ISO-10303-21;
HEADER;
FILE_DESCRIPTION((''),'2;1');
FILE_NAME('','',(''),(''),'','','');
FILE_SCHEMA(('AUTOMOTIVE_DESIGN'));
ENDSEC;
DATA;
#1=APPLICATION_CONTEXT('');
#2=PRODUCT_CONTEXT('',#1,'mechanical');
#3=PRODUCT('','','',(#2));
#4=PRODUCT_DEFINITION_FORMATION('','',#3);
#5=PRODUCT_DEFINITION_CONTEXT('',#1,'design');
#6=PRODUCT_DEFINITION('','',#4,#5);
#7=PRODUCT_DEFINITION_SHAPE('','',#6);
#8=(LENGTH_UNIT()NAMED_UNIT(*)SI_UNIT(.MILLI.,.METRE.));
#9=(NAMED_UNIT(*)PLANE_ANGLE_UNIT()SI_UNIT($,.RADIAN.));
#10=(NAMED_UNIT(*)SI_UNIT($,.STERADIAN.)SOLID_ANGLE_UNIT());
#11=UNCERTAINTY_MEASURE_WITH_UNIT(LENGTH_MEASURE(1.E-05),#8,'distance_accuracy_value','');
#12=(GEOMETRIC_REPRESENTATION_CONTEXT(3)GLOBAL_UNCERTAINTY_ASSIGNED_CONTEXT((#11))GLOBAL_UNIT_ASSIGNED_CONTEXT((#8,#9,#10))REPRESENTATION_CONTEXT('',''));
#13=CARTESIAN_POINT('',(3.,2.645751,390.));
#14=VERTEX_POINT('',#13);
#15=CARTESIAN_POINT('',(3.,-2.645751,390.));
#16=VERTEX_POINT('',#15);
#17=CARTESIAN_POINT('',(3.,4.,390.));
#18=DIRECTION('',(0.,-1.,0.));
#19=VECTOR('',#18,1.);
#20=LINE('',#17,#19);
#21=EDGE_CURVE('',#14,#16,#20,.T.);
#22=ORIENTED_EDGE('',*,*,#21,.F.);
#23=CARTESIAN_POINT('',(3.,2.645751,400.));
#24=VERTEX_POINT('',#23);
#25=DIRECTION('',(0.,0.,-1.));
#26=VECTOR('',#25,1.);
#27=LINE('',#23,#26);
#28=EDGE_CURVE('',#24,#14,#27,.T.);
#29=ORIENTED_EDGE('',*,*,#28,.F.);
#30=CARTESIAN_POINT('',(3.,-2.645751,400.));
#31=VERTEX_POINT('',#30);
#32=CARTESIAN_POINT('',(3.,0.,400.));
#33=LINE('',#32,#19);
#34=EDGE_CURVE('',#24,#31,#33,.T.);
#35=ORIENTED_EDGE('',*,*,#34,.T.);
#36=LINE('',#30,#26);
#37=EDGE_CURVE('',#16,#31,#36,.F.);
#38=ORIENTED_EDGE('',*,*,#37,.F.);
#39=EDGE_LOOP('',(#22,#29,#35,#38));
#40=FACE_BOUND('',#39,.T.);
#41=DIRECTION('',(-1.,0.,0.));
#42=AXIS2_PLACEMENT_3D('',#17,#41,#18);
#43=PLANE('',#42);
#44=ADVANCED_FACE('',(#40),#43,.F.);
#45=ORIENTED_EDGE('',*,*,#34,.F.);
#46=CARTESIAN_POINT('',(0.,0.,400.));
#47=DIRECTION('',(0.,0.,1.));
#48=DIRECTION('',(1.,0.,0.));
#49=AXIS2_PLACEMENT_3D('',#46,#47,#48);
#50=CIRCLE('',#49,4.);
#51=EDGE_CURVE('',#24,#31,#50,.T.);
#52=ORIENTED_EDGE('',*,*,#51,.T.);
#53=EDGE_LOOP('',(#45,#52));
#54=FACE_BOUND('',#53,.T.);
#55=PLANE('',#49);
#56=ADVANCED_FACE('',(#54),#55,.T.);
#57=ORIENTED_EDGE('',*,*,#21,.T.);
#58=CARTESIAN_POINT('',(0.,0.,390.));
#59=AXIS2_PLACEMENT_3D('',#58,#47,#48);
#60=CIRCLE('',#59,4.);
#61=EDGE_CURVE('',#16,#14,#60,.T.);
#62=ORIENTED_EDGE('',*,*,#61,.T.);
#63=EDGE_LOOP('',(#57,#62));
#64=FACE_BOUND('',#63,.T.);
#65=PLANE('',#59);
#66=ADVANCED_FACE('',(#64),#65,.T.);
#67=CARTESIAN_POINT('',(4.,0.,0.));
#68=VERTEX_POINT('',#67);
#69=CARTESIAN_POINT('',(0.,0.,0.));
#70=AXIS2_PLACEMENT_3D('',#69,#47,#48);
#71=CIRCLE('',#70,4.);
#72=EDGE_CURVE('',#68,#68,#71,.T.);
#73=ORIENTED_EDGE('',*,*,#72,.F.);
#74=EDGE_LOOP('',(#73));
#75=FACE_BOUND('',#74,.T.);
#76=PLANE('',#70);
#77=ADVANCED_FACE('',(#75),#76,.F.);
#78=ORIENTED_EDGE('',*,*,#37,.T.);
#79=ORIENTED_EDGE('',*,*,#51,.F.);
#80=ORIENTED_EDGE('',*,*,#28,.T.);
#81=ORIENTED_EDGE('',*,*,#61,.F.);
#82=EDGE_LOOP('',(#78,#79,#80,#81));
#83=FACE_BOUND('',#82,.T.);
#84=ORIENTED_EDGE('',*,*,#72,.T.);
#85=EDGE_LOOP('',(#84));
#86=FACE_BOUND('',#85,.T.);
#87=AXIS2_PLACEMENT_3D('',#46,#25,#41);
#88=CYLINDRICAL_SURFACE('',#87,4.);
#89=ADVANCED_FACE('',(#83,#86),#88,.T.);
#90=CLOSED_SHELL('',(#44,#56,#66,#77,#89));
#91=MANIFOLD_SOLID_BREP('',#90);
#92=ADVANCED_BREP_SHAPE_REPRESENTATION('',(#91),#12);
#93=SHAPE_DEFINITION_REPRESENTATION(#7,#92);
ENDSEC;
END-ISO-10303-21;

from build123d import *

# Parameters (mm, degrees)
CROQUIS1_R              = 4
SALIENTE_EXTRUIR1_DEPTH = 400
CROQUIS4_W              = 1
CROQUIS4_H              = 8
CORTAR_EXTRUIR1_DEPTH   = 10


with BuildPart() as part:
    # Croquis1 → Saliente-Extruir1 (new body)
    with BuildSketch(Plane.XY):
        Circle(CROQUIS1_R)
    extrude(amount=SALIENTE_EXTRUIR1_DEPTH)

    # Croquis4 → Cortar-Extruir1 (cut)
    with BuildSketch(Plane.XY.offset(400)):
        with Locations((3.5, 0)):
            Rectangle(CROQUIS4_W, CROQUIS4_H)
    extrude(amount=-CORTAR_EXTRUIR1_DEPTH, mode=Mode.SUBTRACT)


solid = part.part
